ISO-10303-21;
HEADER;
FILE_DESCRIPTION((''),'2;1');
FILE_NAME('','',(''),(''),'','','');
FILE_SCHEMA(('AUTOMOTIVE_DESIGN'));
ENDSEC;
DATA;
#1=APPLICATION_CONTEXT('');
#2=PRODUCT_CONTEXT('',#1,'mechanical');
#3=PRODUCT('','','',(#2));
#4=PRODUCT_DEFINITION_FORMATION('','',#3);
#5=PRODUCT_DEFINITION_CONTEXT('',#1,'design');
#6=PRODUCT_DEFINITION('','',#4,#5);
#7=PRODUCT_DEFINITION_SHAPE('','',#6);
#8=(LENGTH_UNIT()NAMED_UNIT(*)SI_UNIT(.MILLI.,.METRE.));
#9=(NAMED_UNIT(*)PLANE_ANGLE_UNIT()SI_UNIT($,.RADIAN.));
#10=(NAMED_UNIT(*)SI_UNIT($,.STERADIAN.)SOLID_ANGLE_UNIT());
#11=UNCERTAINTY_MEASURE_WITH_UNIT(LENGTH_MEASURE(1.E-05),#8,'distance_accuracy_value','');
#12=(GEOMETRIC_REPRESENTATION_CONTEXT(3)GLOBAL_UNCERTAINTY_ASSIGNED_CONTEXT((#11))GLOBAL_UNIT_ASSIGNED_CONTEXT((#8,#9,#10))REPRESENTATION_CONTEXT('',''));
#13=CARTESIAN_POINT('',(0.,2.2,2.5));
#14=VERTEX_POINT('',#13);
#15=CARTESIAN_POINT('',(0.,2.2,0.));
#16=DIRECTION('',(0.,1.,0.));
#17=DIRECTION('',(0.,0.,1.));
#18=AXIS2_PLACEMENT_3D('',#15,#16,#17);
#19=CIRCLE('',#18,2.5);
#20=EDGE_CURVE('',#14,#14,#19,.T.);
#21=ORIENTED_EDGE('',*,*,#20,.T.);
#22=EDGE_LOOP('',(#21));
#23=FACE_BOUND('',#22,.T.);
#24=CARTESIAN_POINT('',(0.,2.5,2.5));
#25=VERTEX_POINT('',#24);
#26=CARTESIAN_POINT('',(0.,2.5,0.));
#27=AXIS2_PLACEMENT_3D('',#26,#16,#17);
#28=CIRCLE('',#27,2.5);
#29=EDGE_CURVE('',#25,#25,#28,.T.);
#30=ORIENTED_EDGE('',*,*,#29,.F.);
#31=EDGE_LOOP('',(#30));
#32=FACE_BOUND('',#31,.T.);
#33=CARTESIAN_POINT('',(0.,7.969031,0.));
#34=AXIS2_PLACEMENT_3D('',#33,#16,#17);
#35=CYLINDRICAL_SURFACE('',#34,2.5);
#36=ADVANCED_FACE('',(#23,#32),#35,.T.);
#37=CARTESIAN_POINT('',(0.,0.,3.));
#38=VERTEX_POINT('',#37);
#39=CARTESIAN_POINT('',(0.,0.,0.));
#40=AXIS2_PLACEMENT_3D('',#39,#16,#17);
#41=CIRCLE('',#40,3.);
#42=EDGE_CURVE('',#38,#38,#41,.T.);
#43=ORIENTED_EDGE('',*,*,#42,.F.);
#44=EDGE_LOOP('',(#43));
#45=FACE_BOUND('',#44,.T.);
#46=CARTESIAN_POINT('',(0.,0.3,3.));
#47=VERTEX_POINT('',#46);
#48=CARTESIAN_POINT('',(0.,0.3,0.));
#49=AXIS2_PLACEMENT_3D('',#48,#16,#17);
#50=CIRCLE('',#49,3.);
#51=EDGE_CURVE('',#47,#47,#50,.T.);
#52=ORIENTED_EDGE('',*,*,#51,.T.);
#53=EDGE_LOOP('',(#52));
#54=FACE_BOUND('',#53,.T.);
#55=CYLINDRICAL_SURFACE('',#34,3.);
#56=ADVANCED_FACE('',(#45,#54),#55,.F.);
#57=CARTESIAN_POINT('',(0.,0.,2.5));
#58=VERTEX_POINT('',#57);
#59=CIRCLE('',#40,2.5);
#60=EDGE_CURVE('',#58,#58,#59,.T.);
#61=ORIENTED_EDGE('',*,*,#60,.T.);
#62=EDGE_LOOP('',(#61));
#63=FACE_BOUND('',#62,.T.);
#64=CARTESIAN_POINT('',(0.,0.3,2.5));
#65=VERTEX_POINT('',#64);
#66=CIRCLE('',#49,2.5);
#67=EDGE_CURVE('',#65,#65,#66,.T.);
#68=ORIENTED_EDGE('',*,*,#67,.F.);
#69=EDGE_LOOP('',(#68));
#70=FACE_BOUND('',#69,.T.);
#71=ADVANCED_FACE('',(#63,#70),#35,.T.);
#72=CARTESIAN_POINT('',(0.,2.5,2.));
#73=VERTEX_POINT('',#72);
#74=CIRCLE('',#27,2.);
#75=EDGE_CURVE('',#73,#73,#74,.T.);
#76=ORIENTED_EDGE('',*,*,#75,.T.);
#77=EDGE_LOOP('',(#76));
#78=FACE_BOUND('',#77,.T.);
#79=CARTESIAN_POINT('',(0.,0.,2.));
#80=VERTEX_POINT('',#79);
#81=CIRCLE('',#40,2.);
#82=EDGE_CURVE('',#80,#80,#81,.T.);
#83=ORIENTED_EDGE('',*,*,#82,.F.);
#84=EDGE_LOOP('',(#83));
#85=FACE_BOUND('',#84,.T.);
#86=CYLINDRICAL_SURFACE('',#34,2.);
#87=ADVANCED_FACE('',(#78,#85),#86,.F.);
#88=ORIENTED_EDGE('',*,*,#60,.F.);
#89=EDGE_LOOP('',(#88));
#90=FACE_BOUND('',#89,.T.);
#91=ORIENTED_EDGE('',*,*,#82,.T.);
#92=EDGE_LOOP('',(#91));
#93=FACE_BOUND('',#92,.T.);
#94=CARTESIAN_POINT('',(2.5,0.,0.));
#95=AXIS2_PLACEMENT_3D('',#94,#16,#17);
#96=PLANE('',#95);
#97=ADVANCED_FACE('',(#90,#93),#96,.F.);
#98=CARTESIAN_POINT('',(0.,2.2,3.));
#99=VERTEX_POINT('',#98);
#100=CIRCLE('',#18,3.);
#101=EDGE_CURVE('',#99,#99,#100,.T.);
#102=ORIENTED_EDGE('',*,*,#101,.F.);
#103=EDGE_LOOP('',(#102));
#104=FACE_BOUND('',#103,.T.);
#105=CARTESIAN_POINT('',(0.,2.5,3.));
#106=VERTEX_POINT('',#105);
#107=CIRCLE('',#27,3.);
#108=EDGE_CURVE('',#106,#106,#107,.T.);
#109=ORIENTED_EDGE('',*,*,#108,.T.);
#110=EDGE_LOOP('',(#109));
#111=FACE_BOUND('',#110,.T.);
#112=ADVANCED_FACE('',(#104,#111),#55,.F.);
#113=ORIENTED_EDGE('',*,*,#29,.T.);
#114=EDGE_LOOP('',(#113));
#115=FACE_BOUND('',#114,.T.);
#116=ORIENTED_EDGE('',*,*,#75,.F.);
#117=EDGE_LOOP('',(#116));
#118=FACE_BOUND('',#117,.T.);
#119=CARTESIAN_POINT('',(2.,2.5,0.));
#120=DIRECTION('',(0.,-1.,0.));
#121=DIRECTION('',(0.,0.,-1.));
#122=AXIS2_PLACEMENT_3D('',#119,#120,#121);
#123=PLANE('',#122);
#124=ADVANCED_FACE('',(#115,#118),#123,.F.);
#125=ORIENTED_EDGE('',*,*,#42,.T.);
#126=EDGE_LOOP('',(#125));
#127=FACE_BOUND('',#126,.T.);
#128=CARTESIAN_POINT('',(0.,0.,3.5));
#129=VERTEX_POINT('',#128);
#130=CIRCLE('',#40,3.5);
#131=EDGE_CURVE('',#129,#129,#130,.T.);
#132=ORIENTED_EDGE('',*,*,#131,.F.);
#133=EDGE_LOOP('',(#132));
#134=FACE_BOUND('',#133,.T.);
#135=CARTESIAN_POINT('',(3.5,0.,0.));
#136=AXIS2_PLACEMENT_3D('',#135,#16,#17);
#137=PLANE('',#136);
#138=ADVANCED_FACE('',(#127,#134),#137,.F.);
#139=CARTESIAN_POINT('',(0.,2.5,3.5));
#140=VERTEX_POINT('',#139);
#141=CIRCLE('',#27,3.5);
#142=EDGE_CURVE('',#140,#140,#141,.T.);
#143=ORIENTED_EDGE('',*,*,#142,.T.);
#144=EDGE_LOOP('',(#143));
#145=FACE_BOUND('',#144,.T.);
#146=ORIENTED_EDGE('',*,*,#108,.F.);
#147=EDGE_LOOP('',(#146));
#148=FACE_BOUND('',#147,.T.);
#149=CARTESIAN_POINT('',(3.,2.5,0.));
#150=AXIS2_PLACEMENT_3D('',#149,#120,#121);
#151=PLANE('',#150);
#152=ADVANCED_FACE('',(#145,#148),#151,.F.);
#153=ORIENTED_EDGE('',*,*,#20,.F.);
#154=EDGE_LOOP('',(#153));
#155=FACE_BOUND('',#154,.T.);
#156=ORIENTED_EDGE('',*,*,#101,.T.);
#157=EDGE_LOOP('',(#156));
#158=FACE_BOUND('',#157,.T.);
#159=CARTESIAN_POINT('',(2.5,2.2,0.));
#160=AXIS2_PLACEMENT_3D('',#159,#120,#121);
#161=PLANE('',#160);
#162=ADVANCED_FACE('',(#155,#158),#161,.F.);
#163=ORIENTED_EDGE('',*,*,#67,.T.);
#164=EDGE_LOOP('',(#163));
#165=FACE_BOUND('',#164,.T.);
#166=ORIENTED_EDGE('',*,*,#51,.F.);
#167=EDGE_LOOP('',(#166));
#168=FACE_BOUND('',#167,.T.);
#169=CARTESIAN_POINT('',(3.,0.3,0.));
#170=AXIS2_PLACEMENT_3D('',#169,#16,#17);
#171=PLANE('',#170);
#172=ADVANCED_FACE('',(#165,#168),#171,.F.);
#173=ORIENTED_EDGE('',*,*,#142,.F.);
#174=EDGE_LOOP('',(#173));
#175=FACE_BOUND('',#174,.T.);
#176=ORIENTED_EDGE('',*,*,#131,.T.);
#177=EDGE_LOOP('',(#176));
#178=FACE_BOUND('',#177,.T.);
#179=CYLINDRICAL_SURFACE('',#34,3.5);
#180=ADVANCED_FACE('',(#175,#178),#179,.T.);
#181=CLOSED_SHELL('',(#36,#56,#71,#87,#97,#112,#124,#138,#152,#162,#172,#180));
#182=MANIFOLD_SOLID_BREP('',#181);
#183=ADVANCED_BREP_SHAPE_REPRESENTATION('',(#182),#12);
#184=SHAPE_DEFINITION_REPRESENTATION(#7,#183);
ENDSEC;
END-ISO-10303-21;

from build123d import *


with BuildPart() as part:
    # 草图1 → 旋转1 (revolve)
    with BuildSketch(Plane.XY, mode=Mode.PRIVATE) as revolve_1_sk:
        Polygon((2, 0), (2, 2.5), (2.5, 2.5), (2.5, 2.2), (3, 2.2), (3, 2.5), (3.5, 2.5), (3.5, 0), (3, 0), (3, 0.3), (2.5, 0.3), (2.5, 0), align=None)
    revolve(revolve_1_sk.sketch.rotate(Axis((0, 7.969031367, 0), (0, -1, 0)), 90), axis=Axis((0, 7.969031367, 0), (0, -1, 0)))


solid = part.part
